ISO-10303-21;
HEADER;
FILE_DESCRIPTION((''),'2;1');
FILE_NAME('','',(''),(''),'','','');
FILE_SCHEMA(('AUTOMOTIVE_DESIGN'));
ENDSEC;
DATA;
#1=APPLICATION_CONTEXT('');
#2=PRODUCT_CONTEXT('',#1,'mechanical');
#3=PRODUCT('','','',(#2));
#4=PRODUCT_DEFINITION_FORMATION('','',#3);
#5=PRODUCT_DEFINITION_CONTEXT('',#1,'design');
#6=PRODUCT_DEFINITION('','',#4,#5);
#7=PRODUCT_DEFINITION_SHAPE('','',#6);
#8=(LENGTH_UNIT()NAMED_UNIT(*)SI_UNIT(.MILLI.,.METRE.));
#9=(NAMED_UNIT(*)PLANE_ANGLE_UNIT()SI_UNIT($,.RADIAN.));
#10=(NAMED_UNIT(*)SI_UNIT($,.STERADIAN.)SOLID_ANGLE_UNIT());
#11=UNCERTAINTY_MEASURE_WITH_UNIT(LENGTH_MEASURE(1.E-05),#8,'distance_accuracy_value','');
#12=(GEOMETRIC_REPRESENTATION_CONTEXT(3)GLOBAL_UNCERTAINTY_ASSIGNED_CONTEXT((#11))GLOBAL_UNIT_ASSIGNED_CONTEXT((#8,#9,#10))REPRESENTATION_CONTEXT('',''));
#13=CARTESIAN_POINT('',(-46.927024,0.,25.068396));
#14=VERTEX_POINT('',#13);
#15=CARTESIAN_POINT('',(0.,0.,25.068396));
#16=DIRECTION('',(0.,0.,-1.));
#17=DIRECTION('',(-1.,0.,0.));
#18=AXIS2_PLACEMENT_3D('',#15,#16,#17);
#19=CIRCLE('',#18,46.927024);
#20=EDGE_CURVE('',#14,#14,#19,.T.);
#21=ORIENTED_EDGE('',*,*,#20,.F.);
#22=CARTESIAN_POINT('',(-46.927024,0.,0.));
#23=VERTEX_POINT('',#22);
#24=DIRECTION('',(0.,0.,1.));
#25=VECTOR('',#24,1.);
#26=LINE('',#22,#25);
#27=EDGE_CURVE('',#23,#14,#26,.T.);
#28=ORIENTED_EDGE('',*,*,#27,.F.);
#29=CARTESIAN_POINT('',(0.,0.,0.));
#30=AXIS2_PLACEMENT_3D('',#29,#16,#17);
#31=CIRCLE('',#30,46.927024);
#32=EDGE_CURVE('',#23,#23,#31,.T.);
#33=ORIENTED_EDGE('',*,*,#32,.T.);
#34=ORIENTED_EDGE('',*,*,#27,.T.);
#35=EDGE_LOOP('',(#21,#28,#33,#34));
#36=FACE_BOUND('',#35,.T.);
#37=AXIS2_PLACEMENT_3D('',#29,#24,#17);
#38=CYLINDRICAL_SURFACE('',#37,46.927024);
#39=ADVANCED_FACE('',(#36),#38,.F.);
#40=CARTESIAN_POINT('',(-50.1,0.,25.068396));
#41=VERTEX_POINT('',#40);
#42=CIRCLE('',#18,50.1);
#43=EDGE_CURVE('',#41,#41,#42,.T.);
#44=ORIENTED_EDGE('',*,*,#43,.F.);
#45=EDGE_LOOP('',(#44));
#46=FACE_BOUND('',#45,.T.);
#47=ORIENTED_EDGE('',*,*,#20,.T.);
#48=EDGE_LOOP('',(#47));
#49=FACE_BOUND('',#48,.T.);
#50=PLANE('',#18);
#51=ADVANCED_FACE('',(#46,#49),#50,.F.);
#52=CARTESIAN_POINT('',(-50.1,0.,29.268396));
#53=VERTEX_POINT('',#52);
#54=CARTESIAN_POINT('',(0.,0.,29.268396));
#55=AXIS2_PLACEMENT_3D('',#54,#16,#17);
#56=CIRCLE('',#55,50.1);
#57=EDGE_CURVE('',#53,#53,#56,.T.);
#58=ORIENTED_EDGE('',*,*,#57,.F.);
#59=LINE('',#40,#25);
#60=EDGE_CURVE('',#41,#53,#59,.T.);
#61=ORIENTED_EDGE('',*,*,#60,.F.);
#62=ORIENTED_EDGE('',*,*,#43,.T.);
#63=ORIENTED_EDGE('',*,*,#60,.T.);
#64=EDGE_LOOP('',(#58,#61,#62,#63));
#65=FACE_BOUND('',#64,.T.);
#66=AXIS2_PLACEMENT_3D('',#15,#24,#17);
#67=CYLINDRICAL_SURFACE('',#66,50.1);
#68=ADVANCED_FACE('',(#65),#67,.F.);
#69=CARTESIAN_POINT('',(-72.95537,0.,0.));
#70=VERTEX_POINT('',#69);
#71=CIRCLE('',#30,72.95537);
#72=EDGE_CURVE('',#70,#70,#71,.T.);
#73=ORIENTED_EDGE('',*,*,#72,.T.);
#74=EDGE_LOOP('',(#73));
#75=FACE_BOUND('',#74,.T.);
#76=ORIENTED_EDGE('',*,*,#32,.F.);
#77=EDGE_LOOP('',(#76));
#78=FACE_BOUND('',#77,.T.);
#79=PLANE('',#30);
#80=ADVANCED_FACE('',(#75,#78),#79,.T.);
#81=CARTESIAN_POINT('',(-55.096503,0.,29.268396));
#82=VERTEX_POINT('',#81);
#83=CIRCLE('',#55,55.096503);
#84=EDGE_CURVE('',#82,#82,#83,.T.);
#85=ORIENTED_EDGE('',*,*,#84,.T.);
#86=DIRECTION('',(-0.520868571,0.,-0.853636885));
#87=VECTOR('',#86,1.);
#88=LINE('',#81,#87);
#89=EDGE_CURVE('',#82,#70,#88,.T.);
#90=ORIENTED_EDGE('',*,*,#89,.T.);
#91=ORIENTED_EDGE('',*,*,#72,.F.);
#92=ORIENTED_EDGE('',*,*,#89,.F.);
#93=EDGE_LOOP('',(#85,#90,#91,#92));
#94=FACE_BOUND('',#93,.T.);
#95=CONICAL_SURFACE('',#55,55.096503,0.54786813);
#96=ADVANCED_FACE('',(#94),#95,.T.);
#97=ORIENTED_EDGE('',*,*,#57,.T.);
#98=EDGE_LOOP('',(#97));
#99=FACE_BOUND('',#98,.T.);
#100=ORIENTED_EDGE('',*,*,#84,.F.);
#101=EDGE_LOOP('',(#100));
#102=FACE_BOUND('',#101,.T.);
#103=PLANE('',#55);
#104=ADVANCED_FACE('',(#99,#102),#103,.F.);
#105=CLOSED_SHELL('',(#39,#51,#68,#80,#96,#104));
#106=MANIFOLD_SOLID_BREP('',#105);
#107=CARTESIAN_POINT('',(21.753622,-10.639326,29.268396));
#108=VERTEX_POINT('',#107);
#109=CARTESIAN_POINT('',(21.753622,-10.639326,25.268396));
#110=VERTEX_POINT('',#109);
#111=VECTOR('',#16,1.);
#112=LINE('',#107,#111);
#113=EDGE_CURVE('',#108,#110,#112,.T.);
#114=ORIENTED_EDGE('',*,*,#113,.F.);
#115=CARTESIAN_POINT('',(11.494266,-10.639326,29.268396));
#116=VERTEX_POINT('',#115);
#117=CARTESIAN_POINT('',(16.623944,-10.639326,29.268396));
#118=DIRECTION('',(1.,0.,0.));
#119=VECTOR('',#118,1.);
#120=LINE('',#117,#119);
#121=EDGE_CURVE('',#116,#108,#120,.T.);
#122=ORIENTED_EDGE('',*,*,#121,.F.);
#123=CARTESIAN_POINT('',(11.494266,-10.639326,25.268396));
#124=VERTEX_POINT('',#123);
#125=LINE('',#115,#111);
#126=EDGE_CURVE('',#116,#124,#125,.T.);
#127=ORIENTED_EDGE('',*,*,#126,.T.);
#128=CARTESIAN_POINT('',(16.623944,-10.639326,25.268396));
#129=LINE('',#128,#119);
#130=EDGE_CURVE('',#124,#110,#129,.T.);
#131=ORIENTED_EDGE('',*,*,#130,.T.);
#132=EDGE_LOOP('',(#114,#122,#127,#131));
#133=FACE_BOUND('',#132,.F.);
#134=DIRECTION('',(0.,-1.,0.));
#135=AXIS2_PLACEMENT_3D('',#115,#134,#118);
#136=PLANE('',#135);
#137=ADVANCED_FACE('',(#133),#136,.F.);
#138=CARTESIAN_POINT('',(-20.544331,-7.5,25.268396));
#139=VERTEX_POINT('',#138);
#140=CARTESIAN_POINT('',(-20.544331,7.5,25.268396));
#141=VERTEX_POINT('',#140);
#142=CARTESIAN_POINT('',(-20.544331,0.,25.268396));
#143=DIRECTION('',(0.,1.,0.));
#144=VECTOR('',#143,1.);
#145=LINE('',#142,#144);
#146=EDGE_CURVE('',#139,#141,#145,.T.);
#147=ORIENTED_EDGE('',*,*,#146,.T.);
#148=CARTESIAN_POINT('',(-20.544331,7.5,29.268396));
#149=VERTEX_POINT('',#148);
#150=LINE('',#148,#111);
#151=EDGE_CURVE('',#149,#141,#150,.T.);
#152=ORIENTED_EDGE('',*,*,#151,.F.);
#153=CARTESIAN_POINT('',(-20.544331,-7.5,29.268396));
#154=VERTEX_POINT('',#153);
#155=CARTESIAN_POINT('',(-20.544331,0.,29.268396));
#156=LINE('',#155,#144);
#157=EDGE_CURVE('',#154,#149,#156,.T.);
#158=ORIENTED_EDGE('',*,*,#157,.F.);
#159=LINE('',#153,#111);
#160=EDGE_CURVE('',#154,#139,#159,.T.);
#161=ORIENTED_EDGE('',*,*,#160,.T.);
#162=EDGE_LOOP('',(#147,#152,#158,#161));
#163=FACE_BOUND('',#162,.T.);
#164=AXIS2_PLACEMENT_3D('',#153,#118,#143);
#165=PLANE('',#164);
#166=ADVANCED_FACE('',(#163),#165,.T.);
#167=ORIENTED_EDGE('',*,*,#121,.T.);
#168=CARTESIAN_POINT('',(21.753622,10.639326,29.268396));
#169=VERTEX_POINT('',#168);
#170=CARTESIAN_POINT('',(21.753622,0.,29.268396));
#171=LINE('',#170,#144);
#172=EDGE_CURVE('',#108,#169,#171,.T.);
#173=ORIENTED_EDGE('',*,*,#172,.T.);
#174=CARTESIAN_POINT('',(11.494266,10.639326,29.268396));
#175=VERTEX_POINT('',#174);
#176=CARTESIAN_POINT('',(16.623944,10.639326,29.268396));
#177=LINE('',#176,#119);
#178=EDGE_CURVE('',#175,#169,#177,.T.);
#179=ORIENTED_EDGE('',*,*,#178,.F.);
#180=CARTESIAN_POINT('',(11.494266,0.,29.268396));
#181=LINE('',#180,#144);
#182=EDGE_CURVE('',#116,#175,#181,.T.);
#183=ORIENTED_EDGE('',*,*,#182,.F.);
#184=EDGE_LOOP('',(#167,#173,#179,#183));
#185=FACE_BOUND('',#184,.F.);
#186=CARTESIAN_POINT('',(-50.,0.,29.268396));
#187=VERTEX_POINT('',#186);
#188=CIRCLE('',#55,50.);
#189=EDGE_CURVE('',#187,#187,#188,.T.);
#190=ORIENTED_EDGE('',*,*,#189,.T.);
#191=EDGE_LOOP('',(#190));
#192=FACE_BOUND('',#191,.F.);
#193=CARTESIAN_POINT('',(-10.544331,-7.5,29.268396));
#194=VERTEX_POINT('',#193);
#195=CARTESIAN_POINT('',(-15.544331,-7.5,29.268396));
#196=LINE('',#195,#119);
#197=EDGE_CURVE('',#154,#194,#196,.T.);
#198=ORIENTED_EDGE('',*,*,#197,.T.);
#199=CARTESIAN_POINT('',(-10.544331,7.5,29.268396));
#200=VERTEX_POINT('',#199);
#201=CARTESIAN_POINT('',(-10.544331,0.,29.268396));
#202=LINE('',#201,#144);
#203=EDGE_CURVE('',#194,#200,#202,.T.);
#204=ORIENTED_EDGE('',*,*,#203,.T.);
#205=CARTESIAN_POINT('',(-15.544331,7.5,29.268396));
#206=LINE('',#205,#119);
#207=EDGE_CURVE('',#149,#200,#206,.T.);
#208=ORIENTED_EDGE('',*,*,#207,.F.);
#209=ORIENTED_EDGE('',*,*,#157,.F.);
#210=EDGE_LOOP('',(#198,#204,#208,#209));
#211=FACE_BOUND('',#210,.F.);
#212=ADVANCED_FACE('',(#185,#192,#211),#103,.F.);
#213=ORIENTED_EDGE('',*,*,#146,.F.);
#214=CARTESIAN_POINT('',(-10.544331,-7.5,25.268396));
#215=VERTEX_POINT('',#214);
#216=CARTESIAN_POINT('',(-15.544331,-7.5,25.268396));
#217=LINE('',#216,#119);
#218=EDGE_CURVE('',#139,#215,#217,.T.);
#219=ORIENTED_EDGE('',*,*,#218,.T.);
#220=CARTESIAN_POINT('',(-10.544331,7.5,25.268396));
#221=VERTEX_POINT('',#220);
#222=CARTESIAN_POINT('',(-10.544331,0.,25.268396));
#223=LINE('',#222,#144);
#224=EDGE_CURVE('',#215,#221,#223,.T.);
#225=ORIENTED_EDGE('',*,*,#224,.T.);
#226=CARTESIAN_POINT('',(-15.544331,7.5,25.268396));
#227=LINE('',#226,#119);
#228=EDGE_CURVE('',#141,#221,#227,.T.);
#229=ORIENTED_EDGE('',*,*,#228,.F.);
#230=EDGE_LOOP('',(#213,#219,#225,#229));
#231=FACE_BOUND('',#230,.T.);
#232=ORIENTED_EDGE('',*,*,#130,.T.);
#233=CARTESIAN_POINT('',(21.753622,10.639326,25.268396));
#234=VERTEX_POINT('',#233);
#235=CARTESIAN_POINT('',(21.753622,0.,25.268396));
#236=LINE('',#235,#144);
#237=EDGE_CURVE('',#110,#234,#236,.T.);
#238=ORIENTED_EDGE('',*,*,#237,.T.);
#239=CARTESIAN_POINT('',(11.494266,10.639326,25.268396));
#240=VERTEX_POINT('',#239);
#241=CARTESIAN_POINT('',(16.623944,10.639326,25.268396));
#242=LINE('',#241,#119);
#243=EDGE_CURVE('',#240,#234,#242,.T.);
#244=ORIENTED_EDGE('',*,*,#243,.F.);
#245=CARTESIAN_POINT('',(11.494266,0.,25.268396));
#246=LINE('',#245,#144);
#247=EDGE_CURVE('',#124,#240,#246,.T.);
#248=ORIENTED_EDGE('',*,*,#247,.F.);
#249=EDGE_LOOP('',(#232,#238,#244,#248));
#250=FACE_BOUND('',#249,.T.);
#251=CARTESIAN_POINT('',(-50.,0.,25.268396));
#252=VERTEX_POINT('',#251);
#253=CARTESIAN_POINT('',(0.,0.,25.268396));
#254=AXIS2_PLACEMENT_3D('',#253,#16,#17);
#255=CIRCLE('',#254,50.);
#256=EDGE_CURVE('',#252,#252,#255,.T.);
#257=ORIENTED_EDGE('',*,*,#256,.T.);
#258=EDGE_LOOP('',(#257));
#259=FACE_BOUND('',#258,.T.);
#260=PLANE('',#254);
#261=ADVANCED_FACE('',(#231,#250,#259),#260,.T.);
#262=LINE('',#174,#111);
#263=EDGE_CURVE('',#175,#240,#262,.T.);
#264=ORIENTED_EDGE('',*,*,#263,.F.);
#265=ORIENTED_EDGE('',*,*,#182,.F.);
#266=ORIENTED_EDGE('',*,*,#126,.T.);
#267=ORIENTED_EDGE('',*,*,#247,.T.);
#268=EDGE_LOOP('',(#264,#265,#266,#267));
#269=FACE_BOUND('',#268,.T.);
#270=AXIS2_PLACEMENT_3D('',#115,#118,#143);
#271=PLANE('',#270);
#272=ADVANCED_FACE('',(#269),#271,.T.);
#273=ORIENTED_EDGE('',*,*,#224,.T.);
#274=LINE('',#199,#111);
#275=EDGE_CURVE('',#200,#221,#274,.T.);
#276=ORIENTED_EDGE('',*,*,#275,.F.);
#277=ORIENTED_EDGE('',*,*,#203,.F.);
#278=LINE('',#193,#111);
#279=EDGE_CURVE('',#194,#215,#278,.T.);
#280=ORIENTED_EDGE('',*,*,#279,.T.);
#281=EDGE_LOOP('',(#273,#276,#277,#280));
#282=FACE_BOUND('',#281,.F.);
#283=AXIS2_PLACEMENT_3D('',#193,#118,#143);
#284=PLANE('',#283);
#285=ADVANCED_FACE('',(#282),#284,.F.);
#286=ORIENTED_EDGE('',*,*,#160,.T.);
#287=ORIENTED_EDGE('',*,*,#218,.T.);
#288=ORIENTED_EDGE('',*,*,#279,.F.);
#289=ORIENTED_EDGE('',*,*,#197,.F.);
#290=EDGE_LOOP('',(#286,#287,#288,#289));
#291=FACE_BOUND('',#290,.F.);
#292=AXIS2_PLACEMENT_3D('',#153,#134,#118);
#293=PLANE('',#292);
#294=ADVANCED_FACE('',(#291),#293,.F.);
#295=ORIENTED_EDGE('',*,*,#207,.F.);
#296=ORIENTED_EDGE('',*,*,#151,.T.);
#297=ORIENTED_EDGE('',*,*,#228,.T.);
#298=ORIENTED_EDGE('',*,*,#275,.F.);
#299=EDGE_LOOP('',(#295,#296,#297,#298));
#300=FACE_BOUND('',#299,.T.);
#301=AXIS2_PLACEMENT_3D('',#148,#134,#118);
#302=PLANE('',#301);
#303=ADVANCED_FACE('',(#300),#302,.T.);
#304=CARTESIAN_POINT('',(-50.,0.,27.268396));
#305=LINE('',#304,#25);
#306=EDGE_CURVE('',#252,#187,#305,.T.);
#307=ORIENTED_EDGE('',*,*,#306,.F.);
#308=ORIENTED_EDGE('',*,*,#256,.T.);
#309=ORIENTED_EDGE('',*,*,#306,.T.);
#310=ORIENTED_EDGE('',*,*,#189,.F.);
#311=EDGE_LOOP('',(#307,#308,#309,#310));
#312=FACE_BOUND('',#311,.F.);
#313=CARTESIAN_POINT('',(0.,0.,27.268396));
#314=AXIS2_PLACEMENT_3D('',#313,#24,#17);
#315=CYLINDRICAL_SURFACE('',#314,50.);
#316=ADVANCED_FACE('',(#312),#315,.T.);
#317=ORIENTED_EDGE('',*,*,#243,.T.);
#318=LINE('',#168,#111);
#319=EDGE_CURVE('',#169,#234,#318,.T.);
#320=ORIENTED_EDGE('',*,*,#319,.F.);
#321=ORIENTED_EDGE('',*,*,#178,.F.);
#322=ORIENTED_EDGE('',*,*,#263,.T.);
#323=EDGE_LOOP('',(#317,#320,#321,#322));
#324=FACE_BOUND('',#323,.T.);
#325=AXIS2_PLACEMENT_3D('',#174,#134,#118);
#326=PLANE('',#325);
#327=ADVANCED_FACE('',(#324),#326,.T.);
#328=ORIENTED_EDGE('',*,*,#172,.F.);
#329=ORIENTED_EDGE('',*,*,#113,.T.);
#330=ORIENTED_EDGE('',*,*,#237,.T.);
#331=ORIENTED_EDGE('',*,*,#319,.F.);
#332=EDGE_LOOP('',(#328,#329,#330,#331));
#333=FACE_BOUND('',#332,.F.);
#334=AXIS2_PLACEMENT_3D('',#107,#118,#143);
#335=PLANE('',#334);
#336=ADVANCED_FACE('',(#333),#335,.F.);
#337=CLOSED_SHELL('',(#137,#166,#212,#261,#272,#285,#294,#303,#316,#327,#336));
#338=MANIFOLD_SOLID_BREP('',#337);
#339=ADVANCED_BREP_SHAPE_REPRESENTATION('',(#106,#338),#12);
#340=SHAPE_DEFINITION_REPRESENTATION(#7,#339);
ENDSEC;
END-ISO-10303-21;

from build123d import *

# Parameters (mm, degrees)
F0_W     = 50
F0_H     = 4
F3_W     = 10
F3_H     = 15
F3_W_2   = 10.259356
F3_H_2   = 21.278652
F4_DEPTH = 4


with BuildPart() as f1:
    # F0 (on Front) → F1 (revolve)
    with BuildSketch(Plane.XZ):
        with Locations((-25, 27.268396)):
            Rectangle(F0_W, F0_H)
    revolve(axis=Axis((0, 0, 27.268396), (0, 0, -1)))

    # F3 (on face) → F4 (cut, through all)
    with BuildSketch(Plane.XY.offset(29.268396)):
        with Locations((-15.544331, 0)):
            Rectangle(F3_W, F3_H)
        with Locations((16.623944, 0)):
            Rectangle(F3_W_2, F3_H_2)
    extrude(amount=-F4_DEPTH, mode=Mode.SUBTRACT)


with BuildPart() as f2:
    # F0 (on Front) → F2 (revolve)
    with BuildSketch(Plane.XZ):
        Polygon((-72.95537, 0), (-46.927024, 0), (-46.927024, 25.068396), (-50.1, 25.068396), (-50.1, 29.268396), (-55.096503, 29.268396), align=None)
    revolve(axis=Axis((0, 0, 27.268396), (0, 0, -1)))


solid = Compound([f1.part, f2.part])
